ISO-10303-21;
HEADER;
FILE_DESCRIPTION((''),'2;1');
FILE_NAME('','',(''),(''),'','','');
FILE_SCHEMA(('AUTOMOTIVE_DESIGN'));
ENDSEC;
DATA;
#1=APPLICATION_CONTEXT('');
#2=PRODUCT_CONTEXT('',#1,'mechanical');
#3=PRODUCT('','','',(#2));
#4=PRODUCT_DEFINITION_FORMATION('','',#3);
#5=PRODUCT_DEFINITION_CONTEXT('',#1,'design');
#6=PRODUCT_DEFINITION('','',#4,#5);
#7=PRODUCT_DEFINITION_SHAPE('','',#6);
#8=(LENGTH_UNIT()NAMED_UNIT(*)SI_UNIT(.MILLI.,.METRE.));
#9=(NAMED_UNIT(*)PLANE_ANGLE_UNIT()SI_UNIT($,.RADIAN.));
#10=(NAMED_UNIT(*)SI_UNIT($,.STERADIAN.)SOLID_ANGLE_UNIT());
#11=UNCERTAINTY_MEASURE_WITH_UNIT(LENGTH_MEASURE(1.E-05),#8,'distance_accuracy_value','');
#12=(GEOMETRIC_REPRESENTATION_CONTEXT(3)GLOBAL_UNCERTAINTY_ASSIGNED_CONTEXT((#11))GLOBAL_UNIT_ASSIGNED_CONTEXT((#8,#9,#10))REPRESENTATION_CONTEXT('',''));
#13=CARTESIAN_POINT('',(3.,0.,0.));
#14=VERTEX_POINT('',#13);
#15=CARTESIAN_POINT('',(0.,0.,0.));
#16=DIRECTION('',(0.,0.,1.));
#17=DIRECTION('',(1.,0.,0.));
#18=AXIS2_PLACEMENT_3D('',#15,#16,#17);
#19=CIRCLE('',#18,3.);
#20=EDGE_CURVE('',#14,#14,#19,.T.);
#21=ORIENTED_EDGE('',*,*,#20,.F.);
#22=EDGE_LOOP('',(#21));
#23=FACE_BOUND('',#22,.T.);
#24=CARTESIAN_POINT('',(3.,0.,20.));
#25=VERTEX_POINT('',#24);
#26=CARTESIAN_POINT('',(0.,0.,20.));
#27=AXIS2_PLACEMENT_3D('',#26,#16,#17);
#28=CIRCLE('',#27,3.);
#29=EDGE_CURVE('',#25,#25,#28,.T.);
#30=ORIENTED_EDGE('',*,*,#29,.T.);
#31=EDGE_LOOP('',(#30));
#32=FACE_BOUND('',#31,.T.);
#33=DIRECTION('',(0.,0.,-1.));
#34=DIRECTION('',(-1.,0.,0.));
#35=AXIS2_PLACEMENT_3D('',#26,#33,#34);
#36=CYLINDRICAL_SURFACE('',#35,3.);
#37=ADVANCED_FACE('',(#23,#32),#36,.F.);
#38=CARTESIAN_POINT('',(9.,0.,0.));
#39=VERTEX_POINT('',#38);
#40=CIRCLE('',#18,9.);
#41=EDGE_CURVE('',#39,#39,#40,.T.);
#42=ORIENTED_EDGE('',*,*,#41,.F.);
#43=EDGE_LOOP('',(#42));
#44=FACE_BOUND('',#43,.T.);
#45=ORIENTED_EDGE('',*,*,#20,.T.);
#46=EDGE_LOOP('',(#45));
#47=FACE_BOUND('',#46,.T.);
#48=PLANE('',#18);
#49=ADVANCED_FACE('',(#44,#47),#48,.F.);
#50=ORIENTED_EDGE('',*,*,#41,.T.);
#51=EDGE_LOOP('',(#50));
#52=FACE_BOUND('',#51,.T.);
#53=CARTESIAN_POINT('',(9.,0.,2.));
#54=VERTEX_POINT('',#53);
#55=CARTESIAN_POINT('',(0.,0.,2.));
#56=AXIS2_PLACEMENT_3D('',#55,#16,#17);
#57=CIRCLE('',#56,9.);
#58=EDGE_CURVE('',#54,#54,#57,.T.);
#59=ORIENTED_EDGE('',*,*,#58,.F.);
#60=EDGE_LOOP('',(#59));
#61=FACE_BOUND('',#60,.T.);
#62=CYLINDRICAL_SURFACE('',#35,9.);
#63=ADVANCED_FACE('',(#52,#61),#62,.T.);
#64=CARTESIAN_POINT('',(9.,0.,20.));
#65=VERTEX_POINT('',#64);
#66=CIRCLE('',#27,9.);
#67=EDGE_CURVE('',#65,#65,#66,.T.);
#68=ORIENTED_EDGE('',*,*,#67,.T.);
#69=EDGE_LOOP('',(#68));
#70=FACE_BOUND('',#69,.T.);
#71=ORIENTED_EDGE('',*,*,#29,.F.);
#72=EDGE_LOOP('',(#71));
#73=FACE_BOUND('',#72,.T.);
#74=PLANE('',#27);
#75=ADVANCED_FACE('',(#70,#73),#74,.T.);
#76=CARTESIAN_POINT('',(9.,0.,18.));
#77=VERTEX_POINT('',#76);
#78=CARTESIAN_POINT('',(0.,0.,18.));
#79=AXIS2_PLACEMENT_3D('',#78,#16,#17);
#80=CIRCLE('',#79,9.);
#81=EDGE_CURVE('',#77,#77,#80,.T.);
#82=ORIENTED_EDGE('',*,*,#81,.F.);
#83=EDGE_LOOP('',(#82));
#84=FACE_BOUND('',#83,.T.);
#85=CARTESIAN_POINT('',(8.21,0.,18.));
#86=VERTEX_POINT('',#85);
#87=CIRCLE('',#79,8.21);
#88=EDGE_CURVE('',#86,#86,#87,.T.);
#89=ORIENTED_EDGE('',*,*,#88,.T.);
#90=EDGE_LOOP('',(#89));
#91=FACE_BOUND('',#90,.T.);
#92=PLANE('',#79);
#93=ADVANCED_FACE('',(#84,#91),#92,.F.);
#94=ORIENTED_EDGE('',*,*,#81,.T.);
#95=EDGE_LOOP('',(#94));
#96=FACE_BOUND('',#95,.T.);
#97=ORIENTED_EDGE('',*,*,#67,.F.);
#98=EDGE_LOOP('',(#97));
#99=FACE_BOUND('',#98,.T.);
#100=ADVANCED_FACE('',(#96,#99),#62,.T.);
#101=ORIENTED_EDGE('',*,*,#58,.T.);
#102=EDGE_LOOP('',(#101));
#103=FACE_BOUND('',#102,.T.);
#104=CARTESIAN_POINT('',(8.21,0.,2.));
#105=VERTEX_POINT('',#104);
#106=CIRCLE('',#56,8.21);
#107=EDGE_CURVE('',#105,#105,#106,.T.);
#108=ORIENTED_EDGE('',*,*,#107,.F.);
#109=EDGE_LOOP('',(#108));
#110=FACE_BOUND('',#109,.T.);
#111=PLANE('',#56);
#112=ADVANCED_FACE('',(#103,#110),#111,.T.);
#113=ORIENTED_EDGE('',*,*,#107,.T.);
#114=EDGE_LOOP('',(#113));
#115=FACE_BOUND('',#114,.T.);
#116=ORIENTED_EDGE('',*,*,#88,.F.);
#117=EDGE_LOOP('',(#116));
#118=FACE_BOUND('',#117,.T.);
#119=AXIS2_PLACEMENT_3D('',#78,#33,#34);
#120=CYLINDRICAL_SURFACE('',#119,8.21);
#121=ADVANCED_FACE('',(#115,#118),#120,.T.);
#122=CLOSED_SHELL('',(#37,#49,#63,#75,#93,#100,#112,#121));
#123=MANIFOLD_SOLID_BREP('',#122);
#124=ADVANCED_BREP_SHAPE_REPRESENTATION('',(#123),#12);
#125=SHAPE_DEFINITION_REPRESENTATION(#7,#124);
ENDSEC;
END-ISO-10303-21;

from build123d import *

# Parameters (mm, degrees)
SKETCH_1_R               = 9
SKETCH_1_R_2             = 3
EXTRUDE_1_DEPTH          = 20
CUT_EXTRUDE_1_DEPTH      = 8
CUT_EXTRUDE_1_DEPTH_BACK = 8
SKETCH_3_R               = 18.21
SKETCH_3_R_2             = 8.21


with BuildPart() as part:
    # 草图1 → 凸台-拉伸1 (new body)
    with BuildSketch(Plane.XY):
        Circle(SKETCH_1_R)
        Circle(SKETCH_1_R_2, mode=Mode.SUBTRACT)
    extrude(amount=EXTRUDE_1_DEPTH)

    # 草图3 → 切除-拉伸-薄壁1 (cut, two sides: drawn at the far end of the back side and taken through both)
    with BuildSketch(Plane.XY.offset(10).offset(-CUT_EXTRUDE_1_DEPTH_BACK)):
        Circle(SKETCH_3_R)
        Circle(SKETCH_3_R_2, mode=Mode.SUBTRACT)
    extrude(amount=CUT_EXTRUDE_1_DEPTH + CUT_EXTRUDE_1_DEPTH_BACK, mode=Mode.SUBTRACT)


solid = part.part
